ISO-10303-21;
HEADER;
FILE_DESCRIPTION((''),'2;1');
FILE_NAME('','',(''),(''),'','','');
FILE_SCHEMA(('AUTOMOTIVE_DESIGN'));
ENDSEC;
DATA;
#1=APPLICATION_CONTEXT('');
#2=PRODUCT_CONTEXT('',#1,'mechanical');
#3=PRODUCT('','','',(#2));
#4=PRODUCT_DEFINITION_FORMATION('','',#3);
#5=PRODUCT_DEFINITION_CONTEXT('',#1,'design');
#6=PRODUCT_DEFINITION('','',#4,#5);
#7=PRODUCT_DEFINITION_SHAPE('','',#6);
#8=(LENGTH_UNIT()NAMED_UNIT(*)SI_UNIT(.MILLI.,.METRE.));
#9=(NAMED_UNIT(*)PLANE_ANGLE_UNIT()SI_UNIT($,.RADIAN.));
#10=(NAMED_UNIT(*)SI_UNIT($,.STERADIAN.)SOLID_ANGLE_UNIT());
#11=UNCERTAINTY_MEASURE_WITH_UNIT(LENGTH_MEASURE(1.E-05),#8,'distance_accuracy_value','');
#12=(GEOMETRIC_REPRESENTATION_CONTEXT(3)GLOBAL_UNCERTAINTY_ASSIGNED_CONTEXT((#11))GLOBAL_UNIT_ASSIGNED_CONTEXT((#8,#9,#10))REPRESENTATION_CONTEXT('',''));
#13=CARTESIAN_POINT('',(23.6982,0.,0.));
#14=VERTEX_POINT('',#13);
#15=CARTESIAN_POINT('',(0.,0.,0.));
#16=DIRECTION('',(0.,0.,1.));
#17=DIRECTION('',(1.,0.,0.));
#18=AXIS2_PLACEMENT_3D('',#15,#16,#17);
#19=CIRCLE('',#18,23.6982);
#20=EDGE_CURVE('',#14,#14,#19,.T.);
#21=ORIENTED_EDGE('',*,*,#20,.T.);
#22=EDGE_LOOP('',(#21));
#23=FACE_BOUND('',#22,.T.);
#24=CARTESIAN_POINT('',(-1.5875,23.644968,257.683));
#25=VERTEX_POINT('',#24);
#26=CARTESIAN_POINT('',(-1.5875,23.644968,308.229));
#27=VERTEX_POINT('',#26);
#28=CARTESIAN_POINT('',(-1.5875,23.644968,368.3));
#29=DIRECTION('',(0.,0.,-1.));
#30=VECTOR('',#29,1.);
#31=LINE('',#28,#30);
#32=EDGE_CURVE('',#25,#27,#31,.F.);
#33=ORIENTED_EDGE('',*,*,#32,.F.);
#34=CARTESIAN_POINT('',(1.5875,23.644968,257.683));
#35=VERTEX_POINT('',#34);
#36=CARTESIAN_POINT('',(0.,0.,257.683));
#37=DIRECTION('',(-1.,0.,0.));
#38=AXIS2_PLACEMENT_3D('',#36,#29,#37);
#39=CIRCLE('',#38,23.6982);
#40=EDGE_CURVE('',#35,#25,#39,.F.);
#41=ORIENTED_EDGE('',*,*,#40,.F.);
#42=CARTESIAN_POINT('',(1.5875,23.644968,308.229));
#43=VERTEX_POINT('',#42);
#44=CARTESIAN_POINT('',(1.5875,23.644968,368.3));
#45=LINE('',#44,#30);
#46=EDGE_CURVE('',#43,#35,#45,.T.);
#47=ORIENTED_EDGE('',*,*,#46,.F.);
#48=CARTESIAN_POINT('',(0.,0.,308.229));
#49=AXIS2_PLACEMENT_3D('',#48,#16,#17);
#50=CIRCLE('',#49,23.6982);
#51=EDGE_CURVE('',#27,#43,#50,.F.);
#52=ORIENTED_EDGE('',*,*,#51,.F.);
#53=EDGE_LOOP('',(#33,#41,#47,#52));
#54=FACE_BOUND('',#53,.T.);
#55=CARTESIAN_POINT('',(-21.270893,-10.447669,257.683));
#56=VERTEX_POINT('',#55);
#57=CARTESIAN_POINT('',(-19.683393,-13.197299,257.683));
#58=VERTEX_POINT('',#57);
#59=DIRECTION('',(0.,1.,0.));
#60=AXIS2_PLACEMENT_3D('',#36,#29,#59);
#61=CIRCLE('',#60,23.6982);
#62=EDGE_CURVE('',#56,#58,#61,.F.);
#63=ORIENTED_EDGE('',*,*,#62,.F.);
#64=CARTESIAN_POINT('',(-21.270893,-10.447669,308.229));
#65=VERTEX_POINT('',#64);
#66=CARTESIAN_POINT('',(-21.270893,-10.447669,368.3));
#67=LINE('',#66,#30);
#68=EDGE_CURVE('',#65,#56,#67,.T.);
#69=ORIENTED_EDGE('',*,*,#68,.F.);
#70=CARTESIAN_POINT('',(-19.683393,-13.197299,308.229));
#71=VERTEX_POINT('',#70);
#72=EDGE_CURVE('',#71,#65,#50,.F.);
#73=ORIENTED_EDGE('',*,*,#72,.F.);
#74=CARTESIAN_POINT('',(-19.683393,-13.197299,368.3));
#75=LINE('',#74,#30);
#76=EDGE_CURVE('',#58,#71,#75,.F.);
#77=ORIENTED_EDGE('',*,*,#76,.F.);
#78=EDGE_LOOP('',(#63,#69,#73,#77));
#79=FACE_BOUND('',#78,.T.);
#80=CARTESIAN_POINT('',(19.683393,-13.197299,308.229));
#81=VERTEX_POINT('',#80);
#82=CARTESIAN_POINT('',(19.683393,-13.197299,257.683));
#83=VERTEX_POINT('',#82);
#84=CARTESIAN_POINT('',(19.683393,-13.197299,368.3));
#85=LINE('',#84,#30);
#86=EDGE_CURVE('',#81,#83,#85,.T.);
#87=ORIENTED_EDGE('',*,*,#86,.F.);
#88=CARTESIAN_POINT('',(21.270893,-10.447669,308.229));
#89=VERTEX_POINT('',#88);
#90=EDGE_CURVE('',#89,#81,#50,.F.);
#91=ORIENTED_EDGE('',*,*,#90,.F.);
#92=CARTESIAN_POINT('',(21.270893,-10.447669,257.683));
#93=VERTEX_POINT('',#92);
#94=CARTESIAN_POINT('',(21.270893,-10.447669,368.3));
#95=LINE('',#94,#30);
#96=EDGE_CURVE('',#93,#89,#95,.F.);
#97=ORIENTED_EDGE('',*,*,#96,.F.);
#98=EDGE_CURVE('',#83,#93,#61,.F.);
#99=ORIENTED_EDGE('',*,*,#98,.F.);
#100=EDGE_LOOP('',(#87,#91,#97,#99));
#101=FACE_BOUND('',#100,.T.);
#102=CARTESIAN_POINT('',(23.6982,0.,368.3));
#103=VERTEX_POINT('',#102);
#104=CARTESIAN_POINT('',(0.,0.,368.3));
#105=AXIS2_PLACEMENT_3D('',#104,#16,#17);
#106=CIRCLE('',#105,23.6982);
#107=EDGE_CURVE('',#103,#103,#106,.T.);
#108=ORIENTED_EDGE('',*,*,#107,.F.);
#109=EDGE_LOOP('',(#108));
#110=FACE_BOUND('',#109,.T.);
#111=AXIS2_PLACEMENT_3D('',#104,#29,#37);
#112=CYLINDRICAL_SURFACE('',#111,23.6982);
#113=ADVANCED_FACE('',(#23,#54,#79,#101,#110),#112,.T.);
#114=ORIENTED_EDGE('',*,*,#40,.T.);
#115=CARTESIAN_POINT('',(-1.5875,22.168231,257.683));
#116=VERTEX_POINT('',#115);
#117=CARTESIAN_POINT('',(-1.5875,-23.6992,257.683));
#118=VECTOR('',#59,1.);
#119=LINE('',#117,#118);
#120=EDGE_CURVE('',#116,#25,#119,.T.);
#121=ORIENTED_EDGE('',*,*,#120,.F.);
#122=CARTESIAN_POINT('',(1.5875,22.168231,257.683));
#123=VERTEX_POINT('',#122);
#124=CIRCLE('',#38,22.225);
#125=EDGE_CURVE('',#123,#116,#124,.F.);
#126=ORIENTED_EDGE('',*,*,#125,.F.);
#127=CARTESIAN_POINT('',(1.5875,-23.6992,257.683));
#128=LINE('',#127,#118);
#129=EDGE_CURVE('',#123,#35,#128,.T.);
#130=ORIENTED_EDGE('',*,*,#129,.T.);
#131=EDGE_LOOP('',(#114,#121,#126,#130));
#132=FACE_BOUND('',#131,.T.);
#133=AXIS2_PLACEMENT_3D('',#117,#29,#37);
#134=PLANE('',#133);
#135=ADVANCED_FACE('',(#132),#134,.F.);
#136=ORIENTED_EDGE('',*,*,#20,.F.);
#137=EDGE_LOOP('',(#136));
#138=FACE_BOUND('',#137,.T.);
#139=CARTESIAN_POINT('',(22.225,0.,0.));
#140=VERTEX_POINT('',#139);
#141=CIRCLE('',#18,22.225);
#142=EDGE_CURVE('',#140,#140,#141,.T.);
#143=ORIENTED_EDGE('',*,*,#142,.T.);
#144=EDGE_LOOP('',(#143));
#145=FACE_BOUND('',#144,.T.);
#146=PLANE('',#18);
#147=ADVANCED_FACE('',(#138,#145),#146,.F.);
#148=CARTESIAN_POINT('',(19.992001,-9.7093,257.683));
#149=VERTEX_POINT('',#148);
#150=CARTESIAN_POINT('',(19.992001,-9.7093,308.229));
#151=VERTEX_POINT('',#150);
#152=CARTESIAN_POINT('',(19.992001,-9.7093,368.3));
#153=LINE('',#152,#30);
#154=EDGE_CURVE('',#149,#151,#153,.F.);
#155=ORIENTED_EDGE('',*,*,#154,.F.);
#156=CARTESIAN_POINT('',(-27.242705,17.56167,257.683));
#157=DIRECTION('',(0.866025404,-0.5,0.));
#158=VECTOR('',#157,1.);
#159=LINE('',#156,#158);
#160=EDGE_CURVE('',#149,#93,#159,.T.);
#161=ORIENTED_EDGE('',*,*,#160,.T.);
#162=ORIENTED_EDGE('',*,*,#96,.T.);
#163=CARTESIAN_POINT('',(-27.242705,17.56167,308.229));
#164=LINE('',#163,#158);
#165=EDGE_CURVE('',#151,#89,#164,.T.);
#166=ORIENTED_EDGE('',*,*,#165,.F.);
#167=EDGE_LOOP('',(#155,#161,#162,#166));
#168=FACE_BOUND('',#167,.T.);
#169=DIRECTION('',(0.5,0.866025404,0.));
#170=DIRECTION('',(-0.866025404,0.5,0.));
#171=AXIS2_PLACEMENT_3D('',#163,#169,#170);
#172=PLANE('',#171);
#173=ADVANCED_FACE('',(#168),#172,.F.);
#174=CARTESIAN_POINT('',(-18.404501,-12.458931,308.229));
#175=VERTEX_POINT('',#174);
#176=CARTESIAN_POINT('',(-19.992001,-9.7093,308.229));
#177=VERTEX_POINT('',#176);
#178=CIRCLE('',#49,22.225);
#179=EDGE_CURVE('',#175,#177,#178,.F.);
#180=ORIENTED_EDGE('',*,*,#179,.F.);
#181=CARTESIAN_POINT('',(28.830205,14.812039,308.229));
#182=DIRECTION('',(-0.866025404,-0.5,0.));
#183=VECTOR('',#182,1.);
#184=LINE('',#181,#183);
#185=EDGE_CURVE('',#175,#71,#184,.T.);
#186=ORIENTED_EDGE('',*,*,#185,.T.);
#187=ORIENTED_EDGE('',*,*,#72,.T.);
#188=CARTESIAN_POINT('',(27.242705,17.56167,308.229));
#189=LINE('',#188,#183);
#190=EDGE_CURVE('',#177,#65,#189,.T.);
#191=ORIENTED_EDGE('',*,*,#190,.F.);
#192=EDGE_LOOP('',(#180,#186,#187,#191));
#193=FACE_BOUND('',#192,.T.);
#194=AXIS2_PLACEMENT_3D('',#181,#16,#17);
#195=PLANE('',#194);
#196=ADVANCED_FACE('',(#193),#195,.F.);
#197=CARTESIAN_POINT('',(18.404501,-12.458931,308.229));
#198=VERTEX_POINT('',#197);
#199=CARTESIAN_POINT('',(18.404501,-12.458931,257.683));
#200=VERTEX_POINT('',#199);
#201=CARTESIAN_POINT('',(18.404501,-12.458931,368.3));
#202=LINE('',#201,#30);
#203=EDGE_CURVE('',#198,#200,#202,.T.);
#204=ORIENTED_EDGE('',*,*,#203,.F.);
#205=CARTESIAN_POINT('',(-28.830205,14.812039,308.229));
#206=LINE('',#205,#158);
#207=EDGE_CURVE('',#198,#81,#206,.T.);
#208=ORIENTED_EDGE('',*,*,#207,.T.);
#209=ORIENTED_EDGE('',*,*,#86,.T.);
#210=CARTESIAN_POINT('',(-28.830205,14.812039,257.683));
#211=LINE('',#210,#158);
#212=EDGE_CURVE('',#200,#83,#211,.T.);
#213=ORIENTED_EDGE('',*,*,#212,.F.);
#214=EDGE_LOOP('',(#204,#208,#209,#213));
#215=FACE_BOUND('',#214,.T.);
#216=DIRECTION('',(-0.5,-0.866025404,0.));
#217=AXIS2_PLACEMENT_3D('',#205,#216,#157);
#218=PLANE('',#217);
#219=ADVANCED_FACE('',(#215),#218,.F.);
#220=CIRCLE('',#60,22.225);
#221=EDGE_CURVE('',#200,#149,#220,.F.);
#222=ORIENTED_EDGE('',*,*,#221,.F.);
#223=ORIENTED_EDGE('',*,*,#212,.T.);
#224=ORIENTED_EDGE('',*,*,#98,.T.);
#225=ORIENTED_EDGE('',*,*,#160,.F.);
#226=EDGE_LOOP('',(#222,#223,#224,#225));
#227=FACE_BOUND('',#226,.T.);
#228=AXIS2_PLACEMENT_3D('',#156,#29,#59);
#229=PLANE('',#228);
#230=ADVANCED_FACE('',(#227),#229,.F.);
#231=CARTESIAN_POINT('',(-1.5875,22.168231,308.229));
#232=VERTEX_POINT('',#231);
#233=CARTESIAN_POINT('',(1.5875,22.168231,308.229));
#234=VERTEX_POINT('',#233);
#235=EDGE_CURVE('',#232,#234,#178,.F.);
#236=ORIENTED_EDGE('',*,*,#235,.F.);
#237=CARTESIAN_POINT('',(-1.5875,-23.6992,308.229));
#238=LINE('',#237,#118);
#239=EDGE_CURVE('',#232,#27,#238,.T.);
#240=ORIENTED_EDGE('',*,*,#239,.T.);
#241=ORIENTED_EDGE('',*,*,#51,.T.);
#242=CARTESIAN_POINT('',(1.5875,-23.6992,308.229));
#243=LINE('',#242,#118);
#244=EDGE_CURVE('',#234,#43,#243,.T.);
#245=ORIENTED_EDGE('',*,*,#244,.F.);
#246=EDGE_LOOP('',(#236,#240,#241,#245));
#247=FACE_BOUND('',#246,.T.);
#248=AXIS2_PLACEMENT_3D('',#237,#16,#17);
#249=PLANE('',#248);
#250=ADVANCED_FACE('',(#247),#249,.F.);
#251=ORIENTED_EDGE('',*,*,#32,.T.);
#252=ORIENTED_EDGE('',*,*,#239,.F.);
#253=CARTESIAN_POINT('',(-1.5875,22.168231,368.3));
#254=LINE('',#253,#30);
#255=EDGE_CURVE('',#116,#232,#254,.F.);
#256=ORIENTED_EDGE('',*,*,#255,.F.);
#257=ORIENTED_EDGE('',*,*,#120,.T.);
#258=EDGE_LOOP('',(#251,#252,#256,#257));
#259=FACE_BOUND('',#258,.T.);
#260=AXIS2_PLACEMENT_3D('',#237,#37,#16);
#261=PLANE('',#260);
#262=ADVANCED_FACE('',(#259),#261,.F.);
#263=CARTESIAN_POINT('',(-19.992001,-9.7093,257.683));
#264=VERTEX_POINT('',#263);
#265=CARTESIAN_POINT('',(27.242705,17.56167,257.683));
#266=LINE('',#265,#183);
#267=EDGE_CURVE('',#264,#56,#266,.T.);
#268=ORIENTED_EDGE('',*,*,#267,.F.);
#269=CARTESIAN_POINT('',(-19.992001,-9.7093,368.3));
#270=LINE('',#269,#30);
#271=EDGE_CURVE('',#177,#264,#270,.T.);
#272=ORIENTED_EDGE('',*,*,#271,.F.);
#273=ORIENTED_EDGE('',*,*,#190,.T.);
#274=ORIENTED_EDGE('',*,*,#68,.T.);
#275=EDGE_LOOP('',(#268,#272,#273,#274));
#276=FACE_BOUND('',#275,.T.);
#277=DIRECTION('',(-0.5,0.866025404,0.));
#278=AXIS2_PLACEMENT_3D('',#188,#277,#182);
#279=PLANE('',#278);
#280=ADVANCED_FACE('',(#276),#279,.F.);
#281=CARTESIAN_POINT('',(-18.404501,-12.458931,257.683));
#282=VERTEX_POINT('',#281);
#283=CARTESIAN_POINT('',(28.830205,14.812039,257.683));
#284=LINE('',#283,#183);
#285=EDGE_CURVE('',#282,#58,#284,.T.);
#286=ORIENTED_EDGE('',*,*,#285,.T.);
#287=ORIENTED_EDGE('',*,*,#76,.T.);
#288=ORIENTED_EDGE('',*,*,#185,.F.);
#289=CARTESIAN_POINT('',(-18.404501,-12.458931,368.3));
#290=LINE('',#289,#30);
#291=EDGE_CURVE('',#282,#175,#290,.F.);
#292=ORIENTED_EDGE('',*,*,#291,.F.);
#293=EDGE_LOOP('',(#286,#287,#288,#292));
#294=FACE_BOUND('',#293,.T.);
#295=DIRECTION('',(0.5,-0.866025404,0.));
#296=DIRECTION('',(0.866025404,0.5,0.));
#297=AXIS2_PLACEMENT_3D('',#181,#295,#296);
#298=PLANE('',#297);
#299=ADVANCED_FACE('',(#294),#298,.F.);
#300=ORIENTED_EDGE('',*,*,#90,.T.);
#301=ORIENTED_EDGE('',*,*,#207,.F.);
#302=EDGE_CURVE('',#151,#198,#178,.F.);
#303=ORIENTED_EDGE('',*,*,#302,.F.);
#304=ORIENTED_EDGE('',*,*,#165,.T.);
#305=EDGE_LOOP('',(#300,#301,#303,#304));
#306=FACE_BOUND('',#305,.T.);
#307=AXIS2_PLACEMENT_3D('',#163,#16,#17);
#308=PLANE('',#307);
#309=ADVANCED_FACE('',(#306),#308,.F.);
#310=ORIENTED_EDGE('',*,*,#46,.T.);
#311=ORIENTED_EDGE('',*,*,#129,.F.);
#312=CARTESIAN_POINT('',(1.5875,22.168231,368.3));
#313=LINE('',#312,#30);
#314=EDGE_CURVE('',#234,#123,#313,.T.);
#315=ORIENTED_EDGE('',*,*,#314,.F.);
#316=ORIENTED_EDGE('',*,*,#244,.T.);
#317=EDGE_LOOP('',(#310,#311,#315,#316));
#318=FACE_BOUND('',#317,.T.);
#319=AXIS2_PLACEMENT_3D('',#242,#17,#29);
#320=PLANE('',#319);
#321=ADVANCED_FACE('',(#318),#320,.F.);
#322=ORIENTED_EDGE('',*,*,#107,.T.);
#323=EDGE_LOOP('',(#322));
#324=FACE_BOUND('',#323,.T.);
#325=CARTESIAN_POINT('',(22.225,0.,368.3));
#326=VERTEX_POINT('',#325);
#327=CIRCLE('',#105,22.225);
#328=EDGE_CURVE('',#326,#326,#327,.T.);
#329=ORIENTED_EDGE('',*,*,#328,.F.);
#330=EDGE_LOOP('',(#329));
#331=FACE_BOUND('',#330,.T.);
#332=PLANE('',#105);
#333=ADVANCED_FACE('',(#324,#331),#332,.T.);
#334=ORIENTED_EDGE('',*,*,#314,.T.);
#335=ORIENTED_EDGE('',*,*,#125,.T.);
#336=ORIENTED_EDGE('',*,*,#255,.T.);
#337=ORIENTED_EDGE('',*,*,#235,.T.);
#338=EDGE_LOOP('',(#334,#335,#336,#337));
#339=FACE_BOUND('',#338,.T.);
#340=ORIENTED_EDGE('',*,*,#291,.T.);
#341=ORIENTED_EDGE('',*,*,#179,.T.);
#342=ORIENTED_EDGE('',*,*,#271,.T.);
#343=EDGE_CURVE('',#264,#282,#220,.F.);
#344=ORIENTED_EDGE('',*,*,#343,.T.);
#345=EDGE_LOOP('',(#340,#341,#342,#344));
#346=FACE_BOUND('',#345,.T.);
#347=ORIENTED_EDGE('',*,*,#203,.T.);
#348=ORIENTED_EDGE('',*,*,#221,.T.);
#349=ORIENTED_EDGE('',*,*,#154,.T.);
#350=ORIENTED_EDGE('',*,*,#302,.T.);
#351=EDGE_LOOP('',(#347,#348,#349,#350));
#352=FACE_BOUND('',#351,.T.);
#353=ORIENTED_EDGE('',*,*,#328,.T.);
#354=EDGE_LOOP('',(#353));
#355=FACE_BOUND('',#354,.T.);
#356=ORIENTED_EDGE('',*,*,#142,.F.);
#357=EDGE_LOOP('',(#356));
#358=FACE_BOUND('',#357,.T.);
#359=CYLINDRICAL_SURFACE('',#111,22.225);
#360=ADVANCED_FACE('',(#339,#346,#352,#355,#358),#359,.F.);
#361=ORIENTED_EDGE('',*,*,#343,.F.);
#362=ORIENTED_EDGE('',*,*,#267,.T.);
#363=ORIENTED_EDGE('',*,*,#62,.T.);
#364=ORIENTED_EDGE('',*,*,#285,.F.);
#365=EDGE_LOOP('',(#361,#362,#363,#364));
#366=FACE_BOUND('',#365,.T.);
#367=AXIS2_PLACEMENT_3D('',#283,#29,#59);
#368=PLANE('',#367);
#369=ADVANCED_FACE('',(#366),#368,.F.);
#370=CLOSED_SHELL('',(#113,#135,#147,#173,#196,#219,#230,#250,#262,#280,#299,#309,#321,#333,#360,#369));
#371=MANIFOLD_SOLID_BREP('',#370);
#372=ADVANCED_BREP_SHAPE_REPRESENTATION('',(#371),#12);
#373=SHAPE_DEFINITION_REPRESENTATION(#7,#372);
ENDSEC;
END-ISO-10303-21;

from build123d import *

# Parameters (mm, degrees)
SKETCH1_R           = 23.6982
SKETCH1_R_2         = 22.225
BOSS_EXTRUDE1_DEPTH = 368.3
CUT_EXTRUDE1_START  = -77.831769
SKETCH2_W           = 3.175
SKETCH2_H           = 50.546
CUT_EXTRUDE1_DEPTH  = 1.529969
CIRPATTERN2_COUNT   = 3


with BuildPart() as part:
    # Sketch1 → Boss-Extrude1 (new body)
    with BuildSketch(Plane.XY):
        Circle(SKETCH1_R)
        Circle(SKETCH1_R_2, mode=Mode.SUBTRACT)
    extrude(amount=BOSS_EXTRUDE1_DEPTH)

    # Sketch2 → Cut-Extrude1 (cut)
    with BuildSketch(Plane(origin=(0, 100, 0), x_dir=(1, 0, 0), z_dir=(0, 1, 0)).offset(CUT_EXTRUDE1_START)):
        with Locations((0, -282.956)):
            Rectangle(SKETCH2_W, SKETCH2_H)
    cut_extrude1 = extrude(amount=CUT_EXTRUDE1_DEPTH, mode=Mode.SUBTRACT)

    # CirPattern2: Cut-Extrude1 ×3 about axis
    cirpattern2_axis = Axis((0, 0, 0), (0, 0, 1))
    for i in range(1, CIRPATTERN2_COUNT):
        add(cut_extrude1.rotate(cirpattern2_axis, i * 360 / CIRPATTERN2_COUNT), mode=Mode.SUBTRACT)


solid = part.part
